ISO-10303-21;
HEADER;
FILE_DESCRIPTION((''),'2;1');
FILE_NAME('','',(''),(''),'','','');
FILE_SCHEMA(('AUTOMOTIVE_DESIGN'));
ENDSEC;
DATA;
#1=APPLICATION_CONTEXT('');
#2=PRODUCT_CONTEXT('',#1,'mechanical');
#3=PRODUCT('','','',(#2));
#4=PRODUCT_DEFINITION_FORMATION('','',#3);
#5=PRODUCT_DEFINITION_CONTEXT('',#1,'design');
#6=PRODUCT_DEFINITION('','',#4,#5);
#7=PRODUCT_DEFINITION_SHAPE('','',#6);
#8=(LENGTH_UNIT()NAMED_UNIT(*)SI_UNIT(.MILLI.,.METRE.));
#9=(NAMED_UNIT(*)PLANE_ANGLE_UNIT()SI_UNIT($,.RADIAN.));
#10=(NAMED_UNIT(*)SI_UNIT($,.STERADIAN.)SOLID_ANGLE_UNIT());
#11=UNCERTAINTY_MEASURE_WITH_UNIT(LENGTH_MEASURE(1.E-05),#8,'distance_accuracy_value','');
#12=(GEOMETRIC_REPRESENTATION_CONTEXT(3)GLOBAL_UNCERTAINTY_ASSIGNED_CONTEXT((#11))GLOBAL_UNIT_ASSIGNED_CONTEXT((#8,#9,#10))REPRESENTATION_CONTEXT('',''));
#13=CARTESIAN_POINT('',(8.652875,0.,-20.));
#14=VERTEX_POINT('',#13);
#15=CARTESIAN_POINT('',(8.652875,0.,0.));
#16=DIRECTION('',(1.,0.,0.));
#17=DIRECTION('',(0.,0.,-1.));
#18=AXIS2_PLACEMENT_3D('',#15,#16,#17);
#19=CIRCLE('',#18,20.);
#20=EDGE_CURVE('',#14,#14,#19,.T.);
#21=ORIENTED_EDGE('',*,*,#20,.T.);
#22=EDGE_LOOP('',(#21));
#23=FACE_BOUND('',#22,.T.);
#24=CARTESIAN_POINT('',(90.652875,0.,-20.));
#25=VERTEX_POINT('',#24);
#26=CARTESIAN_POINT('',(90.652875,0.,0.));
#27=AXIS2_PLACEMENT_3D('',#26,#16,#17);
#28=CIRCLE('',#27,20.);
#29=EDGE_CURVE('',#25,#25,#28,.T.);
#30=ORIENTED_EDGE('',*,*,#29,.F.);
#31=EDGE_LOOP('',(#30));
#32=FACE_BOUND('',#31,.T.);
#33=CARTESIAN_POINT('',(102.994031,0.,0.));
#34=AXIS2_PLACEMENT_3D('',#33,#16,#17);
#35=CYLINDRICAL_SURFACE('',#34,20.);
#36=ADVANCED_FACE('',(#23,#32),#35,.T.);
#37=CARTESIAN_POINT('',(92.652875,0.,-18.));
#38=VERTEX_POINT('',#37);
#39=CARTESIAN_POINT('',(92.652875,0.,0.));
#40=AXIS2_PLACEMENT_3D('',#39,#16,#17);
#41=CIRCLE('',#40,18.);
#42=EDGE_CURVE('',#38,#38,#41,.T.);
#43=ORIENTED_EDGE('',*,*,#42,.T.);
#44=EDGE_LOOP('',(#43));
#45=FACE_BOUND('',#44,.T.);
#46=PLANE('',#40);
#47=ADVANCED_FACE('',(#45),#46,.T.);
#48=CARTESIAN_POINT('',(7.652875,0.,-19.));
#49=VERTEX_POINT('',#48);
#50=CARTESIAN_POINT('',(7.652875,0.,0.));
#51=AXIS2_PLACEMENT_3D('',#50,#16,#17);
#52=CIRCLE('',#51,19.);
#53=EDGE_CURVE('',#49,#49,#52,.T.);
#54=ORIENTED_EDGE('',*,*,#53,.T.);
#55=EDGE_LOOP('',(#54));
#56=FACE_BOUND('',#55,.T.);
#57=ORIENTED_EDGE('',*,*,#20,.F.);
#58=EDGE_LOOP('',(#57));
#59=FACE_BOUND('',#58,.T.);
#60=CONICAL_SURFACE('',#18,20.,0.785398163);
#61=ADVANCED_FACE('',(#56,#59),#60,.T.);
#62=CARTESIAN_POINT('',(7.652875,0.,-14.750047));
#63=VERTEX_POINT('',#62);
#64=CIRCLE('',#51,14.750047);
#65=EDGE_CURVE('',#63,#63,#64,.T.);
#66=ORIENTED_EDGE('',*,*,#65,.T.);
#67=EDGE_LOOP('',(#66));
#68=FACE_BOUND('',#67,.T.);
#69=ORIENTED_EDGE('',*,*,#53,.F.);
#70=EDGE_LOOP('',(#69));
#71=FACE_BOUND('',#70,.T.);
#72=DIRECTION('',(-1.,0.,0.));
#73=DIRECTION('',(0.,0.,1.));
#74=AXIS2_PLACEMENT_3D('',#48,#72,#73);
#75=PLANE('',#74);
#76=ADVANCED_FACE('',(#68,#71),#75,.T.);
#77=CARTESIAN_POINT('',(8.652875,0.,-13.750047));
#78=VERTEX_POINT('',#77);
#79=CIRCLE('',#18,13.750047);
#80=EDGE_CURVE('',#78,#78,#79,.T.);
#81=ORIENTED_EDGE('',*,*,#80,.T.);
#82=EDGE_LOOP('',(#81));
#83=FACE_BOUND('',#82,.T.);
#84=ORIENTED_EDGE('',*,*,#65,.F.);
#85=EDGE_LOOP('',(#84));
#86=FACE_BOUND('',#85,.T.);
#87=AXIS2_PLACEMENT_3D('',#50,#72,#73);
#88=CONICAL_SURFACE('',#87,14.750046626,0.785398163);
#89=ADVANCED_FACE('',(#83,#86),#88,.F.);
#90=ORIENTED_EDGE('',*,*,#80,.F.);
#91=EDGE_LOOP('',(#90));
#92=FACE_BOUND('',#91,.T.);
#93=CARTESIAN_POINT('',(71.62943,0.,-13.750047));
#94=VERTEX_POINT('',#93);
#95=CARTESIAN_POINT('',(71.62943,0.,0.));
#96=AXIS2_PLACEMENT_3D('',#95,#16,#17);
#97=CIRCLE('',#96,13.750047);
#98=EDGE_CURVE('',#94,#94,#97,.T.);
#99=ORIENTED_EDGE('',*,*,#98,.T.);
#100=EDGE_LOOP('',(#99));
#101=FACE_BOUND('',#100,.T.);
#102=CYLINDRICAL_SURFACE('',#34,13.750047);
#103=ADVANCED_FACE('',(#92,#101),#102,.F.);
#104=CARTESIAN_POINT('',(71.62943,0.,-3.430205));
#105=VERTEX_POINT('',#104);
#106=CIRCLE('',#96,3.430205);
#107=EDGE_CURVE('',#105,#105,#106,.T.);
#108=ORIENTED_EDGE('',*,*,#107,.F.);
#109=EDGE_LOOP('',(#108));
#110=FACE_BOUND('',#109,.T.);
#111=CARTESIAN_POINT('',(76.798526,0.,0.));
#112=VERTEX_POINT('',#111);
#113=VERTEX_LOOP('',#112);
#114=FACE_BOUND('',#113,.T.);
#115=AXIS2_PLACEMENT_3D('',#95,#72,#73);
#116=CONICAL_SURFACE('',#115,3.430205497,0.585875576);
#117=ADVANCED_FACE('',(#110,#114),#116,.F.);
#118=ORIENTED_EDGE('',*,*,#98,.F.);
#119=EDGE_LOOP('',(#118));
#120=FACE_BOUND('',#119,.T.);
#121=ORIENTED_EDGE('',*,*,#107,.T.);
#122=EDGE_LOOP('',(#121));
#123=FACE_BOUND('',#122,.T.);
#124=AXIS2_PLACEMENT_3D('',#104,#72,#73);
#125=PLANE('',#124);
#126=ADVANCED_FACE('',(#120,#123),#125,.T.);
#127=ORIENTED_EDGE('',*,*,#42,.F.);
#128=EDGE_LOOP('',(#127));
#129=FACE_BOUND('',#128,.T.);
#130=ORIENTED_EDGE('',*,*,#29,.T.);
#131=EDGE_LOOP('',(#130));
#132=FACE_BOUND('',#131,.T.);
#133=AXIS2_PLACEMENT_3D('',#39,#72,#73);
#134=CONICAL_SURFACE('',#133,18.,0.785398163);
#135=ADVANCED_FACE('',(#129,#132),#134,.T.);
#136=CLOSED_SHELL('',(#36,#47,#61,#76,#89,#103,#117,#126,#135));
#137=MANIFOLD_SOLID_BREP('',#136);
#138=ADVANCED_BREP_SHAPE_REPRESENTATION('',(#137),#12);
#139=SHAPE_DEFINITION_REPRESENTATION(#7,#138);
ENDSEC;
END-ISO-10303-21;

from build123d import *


with BuildPart() as part:
    # Эскиз1 → Повернуть4 (revolve)
    with BuildSketch(Plane(origin=(0, 0, 0), x_dir=(1, 0, 0), z_dir=(0, 1, 0))):
        Polygon((92.65287472, 0), (92.65287472, 18), (90.65287472, 20), (8.65287472, 20), (7.65287472, 19), (7.65287472, 14.750046626), (8.65287472, 13.750046626), (71.629429714, 13.750046626), (71.629429714, 3.430205497), (76.798526349, 0), align=None)
    revolve(axis=Axis((102.994030824, 0, 0), (-1, 0, 0)))


solid = part.part
